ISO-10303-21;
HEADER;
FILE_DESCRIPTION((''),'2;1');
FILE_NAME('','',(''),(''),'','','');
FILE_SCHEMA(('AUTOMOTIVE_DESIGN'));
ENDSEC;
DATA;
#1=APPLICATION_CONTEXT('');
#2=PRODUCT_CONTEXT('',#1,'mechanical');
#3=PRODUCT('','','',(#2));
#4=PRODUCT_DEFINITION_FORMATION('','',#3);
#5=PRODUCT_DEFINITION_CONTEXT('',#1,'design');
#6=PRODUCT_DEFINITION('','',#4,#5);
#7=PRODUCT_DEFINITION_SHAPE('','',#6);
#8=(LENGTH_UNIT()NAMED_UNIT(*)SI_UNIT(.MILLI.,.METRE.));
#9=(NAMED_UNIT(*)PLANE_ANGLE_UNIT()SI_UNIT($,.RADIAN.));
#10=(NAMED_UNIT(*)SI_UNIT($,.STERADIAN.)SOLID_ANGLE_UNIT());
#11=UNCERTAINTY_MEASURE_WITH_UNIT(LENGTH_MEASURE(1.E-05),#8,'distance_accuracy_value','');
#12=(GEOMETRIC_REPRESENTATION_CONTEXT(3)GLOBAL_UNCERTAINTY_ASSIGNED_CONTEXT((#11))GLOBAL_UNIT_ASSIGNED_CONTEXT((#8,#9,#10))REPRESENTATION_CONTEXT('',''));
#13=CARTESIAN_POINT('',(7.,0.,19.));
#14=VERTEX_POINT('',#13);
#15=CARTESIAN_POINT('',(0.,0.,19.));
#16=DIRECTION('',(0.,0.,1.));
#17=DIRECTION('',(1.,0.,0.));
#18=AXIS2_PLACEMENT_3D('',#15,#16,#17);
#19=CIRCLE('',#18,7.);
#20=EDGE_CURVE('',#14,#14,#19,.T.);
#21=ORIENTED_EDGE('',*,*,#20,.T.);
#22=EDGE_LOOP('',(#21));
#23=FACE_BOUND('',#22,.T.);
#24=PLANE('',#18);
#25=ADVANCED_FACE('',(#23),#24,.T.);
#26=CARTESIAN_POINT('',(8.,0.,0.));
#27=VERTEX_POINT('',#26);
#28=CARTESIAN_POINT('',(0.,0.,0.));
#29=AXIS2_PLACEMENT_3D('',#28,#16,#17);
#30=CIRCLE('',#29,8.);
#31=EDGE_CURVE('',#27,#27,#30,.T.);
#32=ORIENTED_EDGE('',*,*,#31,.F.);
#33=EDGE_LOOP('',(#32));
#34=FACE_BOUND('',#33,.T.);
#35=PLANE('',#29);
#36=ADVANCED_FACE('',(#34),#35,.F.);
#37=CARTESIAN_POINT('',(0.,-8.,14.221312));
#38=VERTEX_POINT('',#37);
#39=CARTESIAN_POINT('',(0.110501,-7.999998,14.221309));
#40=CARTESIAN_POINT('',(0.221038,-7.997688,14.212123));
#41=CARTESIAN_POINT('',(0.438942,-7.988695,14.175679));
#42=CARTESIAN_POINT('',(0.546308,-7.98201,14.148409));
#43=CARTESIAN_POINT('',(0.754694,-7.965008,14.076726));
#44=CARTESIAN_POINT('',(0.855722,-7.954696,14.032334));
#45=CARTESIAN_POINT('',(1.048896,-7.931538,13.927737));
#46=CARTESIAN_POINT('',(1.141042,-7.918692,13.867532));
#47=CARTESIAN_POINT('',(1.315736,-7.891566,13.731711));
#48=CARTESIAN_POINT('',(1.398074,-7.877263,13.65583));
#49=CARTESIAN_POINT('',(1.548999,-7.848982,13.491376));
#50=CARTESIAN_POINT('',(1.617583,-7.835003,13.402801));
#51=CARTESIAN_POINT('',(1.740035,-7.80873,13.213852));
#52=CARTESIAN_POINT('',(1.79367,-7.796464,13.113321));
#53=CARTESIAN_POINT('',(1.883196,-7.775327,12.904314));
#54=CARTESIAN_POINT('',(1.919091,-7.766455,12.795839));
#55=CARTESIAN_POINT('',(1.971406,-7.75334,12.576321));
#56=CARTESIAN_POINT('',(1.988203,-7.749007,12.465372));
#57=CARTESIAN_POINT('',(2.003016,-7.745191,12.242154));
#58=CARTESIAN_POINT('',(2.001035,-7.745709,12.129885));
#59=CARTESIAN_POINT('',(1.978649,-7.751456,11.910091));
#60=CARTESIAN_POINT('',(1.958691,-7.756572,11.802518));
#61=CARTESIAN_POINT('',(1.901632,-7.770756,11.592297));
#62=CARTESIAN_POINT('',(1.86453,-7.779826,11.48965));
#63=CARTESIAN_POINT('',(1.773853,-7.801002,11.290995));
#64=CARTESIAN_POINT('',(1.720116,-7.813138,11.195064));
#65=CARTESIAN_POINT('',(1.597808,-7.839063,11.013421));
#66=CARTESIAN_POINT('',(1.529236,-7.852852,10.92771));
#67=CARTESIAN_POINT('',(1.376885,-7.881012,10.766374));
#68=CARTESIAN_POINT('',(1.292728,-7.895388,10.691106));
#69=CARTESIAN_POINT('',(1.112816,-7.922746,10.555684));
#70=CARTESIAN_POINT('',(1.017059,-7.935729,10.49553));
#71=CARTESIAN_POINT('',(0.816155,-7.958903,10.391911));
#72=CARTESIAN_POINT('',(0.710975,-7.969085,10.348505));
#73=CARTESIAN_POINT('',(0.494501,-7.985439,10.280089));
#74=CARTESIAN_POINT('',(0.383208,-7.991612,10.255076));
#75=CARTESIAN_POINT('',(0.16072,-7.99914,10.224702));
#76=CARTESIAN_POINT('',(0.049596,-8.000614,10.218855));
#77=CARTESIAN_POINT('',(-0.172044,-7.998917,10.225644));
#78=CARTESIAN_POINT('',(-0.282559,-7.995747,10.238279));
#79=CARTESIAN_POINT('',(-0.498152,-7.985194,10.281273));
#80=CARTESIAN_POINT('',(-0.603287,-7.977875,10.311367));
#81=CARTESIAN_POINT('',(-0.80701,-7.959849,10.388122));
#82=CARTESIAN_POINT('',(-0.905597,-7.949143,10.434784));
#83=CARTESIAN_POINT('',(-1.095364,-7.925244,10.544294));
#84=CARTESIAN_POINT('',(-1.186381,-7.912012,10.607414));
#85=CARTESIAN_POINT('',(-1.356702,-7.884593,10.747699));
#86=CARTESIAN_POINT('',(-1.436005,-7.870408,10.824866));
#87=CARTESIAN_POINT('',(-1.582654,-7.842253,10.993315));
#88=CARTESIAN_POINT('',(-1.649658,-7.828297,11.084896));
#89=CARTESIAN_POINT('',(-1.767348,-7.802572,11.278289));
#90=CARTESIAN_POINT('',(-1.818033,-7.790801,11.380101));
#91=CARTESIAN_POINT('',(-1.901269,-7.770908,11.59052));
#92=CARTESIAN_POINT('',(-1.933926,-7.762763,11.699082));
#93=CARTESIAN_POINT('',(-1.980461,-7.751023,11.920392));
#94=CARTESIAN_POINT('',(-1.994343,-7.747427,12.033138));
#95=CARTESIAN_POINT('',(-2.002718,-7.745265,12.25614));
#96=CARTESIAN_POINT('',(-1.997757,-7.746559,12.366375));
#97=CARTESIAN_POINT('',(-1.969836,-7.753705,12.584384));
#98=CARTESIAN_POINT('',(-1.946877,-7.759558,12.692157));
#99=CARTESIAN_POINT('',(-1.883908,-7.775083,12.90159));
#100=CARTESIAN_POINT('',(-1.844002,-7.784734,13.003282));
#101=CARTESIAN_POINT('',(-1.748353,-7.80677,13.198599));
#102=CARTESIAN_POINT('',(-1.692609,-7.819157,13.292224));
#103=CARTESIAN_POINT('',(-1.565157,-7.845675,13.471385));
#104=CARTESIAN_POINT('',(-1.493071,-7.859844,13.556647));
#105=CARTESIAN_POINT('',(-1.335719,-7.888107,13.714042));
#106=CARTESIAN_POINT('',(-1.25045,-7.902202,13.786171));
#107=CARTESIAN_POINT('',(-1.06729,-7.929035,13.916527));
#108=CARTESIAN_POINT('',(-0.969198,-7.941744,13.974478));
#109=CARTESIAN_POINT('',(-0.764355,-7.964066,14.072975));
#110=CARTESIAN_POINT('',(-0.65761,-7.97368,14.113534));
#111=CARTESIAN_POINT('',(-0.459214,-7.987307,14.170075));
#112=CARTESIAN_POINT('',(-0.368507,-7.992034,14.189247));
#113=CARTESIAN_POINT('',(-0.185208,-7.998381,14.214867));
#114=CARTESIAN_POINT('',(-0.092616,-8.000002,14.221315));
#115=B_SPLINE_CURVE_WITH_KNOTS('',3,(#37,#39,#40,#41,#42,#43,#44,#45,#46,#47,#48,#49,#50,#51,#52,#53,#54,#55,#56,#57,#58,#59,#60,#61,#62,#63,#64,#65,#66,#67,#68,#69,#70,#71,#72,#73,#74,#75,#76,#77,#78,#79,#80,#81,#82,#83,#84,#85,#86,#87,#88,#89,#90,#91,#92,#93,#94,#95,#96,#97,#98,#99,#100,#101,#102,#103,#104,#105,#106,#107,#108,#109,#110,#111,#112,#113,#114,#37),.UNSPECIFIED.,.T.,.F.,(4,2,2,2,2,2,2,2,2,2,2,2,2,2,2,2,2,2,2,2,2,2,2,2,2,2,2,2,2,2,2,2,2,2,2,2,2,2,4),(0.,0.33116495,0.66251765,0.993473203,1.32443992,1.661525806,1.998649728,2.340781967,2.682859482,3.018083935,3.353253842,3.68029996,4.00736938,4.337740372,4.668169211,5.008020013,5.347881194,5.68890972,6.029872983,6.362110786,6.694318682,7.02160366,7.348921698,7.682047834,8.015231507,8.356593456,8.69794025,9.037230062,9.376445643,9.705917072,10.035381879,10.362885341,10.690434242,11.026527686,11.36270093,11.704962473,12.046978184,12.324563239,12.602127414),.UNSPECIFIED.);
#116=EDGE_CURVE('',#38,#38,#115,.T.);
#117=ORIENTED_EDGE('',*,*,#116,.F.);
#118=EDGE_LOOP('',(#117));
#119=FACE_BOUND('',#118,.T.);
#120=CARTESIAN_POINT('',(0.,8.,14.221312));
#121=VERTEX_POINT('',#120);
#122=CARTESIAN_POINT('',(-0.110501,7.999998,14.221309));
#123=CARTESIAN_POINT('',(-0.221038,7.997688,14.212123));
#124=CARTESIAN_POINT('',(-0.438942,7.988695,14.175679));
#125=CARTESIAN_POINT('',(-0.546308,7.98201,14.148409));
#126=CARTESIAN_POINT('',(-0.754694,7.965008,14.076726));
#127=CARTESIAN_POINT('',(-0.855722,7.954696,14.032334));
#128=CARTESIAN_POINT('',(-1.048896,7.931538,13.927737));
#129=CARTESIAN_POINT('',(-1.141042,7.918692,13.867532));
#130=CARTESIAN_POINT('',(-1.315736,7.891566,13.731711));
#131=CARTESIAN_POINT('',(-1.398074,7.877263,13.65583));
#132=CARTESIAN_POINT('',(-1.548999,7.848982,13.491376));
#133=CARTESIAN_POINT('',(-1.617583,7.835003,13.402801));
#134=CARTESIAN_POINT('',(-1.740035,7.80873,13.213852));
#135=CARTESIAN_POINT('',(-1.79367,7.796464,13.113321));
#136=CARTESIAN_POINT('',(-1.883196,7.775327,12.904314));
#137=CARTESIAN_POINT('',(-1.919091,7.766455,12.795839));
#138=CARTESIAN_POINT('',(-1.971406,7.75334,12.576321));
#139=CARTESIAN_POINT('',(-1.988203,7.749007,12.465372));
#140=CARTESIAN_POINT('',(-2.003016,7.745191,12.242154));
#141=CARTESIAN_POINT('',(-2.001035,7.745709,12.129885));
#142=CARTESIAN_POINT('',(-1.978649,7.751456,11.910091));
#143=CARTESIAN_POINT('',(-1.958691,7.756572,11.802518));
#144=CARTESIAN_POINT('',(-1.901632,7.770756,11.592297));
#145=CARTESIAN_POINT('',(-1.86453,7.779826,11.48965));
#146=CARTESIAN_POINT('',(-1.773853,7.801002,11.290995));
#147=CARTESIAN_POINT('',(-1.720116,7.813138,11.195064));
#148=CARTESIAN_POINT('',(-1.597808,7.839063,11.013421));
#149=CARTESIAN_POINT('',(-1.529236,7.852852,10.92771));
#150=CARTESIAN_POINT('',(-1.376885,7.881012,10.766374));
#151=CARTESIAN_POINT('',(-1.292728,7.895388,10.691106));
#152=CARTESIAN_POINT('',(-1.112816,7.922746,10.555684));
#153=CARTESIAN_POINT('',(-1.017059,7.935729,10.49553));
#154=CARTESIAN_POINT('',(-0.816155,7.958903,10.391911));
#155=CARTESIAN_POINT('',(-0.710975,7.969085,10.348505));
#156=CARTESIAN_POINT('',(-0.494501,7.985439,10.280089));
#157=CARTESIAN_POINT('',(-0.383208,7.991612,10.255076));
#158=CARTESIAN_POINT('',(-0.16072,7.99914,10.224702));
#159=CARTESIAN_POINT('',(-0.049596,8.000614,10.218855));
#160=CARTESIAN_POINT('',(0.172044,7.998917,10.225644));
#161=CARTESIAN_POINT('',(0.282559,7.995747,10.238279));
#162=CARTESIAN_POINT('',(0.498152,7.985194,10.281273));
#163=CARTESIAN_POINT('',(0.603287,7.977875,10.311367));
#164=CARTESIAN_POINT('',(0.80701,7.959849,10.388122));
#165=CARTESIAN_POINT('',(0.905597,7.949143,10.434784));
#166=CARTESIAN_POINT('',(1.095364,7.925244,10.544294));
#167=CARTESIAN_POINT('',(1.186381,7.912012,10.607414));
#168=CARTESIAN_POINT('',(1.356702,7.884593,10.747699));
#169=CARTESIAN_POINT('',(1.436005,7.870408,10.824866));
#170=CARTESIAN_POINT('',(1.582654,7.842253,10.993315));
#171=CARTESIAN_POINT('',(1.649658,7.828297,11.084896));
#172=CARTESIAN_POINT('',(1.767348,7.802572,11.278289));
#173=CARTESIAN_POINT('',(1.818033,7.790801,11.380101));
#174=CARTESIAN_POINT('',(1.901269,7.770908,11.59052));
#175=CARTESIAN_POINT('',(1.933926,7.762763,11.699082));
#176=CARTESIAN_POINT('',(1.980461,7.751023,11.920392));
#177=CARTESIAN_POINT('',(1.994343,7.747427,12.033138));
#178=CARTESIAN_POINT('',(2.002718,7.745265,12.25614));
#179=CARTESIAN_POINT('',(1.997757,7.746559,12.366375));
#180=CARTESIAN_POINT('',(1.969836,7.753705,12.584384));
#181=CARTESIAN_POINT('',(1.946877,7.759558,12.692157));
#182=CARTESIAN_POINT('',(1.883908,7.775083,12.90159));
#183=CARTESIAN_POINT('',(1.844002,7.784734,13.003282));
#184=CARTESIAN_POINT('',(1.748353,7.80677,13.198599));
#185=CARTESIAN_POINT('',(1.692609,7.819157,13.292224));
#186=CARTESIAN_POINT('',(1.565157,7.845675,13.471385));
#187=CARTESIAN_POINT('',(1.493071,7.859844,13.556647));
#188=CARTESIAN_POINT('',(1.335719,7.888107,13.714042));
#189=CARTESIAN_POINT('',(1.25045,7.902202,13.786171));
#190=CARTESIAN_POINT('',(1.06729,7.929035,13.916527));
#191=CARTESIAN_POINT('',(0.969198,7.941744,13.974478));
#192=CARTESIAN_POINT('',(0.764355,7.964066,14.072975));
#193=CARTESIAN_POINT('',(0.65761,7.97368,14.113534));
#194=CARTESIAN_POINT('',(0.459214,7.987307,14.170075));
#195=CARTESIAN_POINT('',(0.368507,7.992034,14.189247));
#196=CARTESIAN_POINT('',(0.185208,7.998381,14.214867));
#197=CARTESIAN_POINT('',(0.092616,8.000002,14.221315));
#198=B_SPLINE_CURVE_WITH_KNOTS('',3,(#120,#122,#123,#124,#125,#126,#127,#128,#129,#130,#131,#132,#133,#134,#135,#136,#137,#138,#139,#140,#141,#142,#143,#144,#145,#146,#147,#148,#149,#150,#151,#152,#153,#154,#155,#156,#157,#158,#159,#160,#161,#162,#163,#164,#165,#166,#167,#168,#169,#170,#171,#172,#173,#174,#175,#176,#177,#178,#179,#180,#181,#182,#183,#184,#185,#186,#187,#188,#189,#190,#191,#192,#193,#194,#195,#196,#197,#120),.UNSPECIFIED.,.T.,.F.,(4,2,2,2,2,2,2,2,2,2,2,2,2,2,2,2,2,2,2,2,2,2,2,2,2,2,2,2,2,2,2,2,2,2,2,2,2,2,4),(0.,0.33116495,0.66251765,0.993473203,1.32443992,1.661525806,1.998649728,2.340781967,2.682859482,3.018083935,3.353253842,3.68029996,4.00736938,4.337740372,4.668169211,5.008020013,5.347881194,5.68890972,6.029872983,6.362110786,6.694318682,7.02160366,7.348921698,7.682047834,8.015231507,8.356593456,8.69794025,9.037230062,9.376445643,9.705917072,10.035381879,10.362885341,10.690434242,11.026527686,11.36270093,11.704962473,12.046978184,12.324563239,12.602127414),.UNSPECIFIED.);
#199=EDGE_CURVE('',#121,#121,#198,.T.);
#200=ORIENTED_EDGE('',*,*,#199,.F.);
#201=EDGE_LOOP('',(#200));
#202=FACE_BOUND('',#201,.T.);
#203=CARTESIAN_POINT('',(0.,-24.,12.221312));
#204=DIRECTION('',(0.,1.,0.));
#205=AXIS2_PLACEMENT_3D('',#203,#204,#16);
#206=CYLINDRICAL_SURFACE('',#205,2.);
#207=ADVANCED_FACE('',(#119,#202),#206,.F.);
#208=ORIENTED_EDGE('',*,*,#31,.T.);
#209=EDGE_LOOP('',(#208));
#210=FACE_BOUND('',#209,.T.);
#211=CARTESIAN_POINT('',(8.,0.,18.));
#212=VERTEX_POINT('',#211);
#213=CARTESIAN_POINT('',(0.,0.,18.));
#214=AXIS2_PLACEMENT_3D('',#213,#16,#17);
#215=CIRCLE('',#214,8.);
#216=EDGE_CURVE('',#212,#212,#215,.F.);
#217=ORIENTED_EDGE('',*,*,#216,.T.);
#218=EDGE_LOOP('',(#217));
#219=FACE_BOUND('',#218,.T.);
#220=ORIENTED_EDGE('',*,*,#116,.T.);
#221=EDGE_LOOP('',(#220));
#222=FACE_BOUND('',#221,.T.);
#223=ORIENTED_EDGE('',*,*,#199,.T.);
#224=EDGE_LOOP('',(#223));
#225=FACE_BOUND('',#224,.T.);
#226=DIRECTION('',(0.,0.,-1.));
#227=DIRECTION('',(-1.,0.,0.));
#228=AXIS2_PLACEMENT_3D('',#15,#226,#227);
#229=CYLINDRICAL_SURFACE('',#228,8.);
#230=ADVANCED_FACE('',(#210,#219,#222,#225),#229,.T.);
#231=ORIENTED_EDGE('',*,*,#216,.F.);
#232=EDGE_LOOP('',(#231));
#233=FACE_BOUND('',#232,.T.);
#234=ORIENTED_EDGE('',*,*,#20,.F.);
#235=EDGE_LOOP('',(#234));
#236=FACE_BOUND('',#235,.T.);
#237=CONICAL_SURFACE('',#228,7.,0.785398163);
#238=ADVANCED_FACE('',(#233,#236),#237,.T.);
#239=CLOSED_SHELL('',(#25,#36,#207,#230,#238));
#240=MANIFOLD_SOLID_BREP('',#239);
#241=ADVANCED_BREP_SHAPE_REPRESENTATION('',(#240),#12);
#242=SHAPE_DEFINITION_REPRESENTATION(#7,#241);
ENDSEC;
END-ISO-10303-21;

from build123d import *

# Parameters (mm, degrees)
SKETCH1_R           = 8
BOSS_EXTRUDE1_DEPTH = 19
SKETCH2_R           = 2
CUT_EXTRUDE1_DEPTH  = 24
CHAMFER1_SIZE       = 1


with BuildPart() as part:
    # Sketch1 → Boss-Extrude1 (new body)
    with BuildSketch(Plane.XY):
        Circle(SKETCH1_R)
    extrude(amount=BOSS_EXTRUDE1_DEPTH)

    # Sketch2 → Cut-Extrude1 (cut, symmetric)
    with BuildSketch(Plane(origin=(0, 0, 0), x_dir=(1, 0, 0), z_dir=(0, 1, 0))):
        with Locations(Location((0, -12.221312154, 0), (0, 0, 270))):
            Circle(SKETCH2_R)
    extrude(amount=CUT_EXTRUDE1_DEPTH, both=True, mode=Mode.SUBTRACT)

    # Chamfer1
    chamfer1_edges = [part.edges().sort_by_distance(p)[0] for p in [
        (-8, 0, 19),
    ]]
    chamfer(chamfer1_edges, length=CHAMFER1_SIZE)


solid = part.part
